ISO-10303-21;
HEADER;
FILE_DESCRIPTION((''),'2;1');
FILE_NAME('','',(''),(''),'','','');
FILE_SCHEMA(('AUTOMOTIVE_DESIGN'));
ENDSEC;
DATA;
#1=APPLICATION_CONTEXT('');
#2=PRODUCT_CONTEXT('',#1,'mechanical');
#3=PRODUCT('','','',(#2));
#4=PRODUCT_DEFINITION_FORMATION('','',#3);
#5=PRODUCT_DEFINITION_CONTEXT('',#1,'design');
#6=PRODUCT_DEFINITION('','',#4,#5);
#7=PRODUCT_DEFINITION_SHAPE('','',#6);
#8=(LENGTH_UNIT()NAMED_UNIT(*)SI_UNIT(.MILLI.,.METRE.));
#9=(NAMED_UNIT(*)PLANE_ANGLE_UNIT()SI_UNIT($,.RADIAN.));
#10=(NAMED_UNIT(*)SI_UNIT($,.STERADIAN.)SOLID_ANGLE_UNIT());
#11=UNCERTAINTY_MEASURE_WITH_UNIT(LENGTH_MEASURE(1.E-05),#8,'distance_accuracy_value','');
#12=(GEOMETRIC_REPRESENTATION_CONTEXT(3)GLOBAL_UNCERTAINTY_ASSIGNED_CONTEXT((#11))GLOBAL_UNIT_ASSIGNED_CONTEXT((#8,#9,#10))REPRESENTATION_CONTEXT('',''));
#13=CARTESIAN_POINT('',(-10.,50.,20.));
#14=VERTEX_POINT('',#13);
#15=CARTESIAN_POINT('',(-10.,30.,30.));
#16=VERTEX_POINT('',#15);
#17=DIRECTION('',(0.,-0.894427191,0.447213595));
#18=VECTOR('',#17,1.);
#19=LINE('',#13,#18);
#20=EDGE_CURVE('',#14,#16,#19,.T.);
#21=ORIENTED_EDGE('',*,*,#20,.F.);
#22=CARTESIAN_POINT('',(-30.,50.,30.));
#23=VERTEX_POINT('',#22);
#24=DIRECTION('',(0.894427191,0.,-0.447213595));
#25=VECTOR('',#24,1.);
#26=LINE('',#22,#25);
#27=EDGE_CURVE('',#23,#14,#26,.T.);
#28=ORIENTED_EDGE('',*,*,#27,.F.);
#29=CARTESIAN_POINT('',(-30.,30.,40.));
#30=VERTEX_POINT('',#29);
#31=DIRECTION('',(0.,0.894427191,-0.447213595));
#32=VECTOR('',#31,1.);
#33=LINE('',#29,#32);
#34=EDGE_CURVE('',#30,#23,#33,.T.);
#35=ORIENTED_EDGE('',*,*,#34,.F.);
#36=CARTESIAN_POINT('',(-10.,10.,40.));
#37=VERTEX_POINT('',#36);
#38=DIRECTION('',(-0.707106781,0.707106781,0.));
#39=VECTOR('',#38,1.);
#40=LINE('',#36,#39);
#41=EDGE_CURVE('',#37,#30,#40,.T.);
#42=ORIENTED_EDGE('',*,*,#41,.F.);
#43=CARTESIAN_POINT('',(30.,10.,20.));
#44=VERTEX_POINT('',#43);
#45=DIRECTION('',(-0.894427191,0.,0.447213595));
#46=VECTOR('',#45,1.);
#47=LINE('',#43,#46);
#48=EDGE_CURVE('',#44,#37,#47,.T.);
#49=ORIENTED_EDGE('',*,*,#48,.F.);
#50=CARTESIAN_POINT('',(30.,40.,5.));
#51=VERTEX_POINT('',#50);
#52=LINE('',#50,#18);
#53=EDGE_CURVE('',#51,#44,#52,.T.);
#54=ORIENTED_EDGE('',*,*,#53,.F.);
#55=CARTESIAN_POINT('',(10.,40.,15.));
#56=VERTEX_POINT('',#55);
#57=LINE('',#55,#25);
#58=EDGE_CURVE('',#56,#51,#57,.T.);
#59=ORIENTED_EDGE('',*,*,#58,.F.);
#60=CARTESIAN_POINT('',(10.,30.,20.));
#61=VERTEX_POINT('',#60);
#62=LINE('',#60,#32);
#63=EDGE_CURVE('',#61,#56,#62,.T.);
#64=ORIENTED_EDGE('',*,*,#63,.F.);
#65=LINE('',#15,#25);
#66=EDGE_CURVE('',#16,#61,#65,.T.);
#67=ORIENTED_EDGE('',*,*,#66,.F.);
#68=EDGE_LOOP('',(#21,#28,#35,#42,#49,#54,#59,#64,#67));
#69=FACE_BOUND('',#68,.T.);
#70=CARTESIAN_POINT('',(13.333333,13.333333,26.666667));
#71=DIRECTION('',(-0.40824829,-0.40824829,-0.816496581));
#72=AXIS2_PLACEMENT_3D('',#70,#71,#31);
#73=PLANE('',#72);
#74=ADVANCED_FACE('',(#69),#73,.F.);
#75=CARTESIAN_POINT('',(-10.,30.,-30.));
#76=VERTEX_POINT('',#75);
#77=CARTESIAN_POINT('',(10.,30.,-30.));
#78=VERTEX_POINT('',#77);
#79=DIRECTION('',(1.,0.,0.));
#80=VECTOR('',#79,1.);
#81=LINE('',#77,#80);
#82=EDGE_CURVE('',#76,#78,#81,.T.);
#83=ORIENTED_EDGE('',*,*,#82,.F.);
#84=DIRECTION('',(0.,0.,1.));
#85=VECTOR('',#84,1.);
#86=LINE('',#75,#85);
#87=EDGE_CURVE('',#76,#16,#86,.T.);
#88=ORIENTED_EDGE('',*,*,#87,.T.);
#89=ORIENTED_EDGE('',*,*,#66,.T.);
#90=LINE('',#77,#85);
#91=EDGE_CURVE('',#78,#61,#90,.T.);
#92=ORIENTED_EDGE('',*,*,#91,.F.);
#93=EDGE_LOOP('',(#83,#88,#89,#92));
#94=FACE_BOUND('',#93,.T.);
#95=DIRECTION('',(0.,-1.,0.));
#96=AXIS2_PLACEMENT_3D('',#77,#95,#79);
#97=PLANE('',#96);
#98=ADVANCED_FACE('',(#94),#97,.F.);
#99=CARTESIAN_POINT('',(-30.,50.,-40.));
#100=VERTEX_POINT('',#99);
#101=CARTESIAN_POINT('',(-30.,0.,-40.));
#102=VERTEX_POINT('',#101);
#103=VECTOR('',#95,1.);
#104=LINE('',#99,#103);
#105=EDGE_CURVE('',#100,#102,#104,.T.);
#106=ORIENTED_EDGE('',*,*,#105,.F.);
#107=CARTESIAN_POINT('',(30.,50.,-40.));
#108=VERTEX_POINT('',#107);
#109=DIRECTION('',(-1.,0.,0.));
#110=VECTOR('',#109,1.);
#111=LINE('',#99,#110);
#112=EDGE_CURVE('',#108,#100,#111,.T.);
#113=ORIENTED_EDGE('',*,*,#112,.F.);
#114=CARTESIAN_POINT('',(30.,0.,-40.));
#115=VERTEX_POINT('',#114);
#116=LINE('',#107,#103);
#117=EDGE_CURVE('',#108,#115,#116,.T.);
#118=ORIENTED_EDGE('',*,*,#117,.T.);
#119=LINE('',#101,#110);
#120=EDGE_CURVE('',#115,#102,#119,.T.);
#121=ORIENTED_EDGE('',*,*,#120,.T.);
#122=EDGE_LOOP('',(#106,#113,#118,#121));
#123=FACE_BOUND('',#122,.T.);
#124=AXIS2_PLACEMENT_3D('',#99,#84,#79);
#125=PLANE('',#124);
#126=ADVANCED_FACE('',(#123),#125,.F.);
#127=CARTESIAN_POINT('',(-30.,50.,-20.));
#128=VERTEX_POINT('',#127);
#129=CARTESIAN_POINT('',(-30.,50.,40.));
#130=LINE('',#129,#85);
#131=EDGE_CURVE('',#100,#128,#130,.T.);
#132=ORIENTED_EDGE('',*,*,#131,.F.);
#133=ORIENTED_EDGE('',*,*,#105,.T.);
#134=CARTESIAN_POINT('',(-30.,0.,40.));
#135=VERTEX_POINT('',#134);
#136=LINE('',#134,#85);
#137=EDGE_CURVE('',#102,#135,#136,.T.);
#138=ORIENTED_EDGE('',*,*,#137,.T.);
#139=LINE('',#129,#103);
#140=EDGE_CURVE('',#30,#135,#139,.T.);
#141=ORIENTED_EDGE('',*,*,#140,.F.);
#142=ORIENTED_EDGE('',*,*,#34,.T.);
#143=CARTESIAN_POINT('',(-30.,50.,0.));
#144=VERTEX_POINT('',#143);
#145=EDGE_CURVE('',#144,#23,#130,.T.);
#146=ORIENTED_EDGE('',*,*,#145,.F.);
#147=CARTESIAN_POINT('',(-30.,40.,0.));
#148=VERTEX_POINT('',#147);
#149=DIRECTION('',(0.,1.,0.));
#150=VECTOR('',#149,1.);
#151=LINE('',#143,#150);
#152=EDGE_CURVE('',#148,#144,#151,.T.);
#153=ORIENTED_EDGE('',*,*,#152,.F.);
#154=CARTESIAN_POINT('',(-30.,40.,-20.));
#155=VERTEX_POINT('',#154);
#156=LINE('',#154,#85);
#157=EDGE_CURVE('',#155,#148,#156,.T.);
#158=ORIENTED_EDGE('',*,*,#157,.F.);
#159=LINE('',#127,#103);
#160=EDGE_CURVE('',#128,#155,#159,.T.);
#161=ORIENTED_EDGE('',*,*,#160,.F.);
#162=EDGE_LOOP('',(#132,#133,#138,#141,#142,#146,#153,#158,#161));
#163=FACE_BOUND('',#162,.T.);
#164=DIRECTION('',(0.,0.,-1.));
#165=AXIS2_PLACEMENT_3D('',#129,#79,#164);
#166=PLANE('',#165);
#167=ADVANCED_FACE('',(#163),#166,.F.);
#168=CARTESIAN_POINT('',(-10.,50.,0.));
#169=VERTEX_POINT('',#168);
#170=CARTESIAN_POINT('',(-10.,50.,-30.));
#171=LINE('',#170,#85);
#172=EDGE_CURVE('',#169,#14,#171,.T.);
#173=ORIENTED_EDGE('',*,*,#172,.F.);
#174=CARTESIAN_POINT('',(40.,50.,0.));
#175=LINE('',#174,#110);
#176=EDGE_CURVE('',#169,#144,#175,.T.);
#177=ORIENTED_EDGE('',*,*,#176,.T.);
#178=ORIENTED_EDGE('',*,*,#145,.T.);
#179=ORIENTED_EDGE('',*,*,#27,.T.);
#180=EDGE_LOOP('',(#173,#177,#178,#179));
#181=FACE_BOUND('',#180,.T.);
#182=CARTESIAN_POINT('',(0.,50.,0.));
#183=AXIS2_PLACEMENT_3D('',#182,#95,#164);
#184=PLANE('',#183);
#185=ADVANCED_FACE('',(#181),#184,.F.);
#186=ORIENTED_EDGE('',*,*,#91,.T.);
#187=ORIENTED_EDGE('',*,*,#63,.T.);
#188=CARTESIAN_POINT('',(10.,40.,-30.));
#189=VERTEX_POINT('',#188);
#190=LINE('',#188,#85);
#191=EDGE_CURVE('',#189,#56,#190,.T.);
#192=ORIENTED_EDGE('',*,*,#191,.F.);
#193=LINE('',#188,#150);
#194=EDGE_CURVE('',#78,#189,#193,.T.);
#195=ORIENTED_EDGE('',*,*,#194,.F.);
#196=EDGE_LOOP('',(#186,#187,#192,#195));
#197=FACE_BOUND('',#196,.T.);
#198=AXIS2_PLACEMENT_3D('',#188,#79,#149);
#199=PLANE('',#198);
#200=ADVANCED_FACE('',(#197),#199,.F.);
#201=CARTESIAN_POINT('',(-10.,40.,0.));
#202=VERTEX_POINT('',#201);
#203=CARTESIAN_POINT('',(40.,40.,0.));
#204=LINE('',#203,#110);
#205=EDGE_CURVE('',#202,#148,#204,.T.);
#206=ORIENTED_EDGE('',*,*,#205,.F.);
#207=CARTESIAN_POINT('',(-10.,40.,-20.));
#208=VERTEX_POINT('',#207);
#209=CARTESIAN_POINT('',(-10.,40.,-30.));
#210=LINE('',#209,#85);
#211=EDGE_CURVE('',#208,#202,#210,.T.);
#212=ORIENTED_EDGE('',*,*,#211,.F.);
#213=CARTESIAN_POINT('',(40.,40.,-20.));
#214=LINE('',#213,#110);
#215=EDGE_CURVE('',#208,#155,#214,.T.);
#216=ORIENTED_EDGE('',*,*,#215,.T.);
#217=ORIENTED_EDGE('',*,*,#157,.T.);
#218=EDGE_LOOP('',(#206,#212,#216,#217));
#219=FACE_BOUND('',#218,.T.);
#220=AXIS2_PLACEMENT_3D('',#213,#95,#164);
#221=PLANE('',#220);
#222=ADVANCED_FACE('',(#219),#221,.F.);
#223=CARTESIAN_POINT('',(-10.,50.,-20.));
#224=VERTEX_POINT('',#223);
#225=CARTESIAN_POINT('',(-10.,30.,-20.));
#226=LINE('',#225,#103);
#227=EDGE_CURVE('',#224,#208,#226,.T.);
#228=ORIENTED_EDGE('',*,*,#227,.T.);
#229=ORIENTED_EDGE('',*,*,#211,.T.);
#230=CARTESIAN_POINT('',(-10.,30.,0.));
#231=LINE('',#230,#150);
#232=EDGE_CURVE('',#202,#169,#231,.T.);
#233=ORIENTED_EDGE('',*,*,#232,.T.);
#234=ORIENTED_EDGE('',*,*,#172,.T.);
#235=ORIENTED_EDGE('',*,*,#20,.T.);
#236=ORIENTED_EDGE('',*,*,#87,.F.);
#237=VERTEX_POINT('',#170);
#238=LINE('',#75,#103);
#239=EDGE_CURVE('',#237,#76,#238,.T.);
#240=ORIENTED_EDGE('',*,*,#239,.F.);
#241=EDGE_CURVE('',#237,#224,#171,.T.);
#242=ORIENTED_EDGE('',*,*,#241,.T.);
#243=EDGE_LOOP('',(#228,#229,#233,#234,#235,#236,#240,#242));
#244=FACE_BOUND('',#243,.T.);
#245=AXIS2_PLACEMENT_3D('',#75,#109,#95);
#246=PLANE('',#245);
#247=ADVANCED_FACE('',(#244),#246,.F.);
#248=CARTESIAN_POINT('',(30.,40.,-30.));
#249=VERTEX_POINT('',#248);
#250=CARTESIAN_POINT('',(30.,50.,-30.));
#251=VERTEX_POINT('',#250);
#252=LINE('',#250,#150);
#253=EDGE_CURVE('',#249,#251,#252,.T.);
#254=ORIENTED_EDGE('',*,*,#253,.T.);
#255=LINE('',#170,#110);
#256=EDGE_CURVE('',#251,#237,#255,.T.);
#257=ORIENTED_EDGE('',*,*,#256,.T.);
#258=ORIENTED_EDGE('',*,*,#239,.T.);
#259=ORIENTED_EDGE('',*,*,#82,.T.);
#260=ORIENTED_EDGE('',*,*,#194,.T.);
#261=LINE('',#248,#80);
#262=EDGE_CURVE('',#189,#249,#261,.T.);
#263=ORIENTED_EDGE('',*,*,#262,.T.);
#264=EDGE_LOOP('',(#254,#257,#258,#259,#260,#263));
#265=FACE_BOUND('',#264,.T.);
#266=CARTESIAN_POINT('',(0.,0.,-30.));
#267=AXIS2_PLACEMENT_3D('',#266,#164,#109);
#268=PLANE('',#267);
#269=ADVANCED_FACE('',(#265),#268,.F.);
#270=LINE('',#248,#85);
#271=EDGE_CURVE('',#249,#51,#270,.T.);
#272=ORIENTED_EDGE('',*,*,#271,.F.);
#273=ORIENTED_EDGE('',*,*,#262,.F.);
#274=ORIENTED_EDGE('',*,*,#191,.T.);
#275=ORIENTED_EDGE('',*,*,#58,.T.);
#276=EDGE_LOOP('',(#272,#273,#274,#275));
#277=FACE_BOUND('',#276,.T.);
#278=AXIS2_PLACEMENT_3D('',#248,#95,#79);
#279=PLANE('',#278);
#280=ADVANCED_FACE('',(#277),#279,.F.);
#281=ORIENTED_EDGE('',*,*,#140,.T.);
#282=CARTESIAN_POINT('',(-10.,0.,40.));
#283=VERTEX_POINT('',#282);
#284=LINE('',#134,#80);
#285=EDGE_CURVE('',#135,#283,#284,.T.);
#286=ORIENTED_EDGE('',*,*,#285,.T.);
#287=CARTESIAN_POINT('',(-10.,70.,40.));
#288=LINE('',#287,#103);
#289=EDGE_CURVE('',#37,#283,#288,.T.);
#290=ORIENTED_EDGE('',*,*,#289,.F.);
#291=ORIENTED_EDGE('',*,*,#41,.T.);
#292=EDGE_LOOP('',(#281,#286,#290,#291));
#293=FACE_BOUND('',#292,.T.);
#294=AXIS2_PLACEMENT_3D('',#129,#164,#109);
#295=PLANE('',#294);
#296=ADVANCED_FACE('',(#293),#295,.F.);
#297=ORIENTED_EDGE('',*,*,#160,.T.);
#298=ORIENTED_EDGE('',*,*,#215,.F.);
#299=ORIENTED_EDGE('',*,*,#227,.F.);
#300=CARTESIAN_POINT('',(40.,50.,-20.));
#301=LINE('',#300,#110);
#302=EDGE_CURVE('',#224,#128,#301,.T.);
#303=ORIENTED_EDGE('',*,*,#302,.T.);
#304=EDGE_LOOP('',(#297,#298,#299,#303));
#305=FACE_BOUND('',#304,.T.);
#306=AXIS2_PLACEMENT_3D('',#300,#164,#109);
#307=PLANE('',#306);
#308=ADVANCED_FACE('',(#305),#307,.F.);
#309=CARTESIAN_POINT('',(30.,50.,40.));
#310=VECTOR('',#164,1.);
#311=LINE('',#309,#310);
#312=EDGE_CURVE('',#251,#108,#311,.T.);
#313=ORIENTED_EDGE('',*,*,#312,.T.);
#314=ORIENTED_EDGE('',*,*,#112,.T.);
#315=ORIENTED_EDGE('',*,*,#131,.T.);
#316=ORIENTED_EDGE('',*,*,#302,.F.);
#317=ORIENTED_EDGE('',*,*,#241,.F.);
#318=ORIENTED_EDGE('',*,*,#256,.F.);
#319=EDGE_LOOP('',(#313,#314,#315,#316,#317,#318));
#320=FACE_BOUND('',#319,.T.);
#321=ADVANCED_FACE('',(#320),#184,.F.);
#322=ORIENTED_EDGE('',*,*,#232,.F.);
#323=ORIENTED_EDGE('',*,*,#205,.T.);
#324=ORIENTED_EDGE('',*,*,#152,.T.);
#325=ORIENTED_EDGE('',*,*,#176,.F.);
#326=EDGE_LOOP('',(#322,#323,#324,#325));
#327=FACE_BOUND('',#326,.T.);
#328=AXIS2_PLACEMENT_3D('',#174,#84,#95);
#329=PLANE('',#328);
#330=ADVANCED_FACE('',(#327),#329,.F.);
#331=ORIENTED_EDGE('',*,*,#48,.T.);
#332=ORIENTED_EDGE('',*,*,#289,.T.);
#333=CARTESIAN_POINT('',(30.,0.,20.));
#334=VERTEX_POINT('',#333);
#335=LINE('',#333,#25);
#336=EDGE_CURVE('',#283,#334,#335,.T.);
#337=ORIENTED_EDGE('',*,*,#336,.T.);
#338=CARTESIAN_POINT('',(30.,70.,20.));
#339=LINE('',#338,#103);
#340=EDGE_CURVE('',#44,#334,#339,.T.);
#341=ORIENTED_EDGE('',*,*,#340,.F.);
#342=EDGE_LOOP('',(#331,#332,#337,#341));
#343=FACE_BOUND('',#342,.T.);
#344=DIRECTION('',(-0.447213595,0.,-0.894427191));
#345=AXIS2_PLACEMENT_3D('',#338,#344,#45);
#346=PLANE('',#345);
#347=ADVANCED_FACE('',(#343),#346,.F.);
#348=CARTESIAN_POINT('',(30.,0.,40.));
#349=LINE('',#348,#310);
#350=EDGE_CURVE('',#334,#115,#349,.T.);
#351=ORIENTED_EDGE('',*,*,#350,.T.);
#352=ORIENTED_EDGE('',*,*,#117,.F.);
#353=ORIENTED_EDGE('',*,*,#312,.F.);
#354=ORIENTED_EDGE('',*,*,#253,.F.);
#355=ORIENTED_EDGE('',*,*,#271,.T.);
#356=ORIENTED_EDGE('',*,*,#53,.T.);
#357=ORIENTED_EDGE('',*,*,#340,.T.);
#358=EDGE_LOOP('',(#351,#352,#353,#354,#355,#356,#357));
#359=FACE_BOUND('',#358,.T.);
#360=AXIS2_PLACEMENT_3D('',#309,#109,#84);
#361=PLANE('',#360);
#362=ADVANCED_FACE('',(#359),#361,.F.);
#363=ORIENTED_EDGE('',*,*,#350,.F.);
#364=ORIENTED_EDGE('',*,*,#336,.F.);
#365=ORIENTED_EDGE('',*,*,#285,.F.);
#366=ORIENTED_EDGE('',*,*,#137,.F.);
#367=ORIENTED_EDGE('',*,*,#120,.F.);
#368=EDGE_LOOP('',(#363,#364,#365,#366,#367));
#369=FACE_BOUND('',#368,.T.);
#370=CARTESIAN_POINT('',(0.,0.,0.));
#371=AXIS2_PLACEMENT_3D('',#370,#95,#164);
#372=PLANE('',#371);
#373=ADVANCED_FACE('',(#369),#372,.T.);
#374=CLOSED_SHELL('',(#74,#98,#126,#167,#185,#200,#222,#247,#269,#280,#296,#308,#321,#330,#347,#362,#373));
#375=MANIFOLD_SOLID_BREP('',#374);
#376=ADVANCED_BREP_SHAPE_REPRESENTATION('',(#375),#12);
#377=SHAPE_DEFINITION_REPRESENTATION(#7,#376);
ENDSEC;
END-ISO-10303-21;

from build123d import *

# Parameters (mm, degrees)
SKETCH1_W           = 60
SKETCH1_H           = 80
BOSS_EXTRUDE1_DEPTH = 50
CUT_EXTRUDE1_DEPTH  = 70
SKETCH7_W           = 20
SKETCH7_H           = 10
CUT_EXTRUDE6_DEPTH  = 70
CUT_EXTRUDE7_DEPTH  = 70
CUT_EXTRUDE8_DEPTH  = 70


with BuildPart() as part:
    # Sketch1 → Boss-Extrude1 (new body)
    with BuildSketch(Plane(origin=(0, 0, 0), x_dir=(1, 0, 0), z_dir=(0, 1, 0))):
        Rectangle(SKETCH1_W, SKETCH1_H)
    extrude(amount=BOSS_EXTRUDE1_DEPTH)

    # Sketch2 → Cut-Extrude1 (cut)
    with BuildSketch(Plane.XY.offset(40)):
        Polygon((30, 40), (10, 40), (10, 30), (-10, 30), (-10, 50), (30, 50), align=None)
    extrude(amount=-CUT_EXTRUDE1_DEPTH, mode=Mode.SUBTRACT)

    # Sketch7 → Cut-Extrude6 (cut)
    with BuildSketch(Plane.ZY.offset(30)):
        with Locations((-10, 45)):
            Rectangle(SKETCH7_W, SKETCH7_H)
    extrude(amount=-CUT_EXTRUDE6_DEPTH, mode=Mode.SUBTRACT)

    # Sketch8 → Cut-Extrude7 (cut)
    with BuildSketch(Plane.XZ):
        Polygon((30, 40), (30, 20), (-10, 40), align=None)
    extrude(amount=-CUT_EXTRUDE7_DEPTH, mode=Mode.SUBTRACT)

    # 3DSketch6 → Cut-Extrude8 (cut, along a direction that is not the sketch's normal)
    with BuildSketch(Plane(origin=(-30, 50, 30), x_dir=(0.8241633836921342, -0.5494422557947563, -0.13736056394868917), z_dir=(0.408248290463863, 0.40824829046386274, 0.8164965809277263))):
        Polygon((0, 0), (17.856873313, 13.458531698), (27.47211279, -6.729265849), (45.328986103, 6.729265849), (40.521366365, 16.823164623), (58.378239678, 30.281696321), (72.801098893, 0), (37.087352266, -26.917063396), (9.615239476, -20.187797547), align=None)
    extrude(amount=CUT_EXTRUDE8_DEPTH, dir=(0, 0, 1), mode=Mode.SUBTRACT)


solid = part.part
